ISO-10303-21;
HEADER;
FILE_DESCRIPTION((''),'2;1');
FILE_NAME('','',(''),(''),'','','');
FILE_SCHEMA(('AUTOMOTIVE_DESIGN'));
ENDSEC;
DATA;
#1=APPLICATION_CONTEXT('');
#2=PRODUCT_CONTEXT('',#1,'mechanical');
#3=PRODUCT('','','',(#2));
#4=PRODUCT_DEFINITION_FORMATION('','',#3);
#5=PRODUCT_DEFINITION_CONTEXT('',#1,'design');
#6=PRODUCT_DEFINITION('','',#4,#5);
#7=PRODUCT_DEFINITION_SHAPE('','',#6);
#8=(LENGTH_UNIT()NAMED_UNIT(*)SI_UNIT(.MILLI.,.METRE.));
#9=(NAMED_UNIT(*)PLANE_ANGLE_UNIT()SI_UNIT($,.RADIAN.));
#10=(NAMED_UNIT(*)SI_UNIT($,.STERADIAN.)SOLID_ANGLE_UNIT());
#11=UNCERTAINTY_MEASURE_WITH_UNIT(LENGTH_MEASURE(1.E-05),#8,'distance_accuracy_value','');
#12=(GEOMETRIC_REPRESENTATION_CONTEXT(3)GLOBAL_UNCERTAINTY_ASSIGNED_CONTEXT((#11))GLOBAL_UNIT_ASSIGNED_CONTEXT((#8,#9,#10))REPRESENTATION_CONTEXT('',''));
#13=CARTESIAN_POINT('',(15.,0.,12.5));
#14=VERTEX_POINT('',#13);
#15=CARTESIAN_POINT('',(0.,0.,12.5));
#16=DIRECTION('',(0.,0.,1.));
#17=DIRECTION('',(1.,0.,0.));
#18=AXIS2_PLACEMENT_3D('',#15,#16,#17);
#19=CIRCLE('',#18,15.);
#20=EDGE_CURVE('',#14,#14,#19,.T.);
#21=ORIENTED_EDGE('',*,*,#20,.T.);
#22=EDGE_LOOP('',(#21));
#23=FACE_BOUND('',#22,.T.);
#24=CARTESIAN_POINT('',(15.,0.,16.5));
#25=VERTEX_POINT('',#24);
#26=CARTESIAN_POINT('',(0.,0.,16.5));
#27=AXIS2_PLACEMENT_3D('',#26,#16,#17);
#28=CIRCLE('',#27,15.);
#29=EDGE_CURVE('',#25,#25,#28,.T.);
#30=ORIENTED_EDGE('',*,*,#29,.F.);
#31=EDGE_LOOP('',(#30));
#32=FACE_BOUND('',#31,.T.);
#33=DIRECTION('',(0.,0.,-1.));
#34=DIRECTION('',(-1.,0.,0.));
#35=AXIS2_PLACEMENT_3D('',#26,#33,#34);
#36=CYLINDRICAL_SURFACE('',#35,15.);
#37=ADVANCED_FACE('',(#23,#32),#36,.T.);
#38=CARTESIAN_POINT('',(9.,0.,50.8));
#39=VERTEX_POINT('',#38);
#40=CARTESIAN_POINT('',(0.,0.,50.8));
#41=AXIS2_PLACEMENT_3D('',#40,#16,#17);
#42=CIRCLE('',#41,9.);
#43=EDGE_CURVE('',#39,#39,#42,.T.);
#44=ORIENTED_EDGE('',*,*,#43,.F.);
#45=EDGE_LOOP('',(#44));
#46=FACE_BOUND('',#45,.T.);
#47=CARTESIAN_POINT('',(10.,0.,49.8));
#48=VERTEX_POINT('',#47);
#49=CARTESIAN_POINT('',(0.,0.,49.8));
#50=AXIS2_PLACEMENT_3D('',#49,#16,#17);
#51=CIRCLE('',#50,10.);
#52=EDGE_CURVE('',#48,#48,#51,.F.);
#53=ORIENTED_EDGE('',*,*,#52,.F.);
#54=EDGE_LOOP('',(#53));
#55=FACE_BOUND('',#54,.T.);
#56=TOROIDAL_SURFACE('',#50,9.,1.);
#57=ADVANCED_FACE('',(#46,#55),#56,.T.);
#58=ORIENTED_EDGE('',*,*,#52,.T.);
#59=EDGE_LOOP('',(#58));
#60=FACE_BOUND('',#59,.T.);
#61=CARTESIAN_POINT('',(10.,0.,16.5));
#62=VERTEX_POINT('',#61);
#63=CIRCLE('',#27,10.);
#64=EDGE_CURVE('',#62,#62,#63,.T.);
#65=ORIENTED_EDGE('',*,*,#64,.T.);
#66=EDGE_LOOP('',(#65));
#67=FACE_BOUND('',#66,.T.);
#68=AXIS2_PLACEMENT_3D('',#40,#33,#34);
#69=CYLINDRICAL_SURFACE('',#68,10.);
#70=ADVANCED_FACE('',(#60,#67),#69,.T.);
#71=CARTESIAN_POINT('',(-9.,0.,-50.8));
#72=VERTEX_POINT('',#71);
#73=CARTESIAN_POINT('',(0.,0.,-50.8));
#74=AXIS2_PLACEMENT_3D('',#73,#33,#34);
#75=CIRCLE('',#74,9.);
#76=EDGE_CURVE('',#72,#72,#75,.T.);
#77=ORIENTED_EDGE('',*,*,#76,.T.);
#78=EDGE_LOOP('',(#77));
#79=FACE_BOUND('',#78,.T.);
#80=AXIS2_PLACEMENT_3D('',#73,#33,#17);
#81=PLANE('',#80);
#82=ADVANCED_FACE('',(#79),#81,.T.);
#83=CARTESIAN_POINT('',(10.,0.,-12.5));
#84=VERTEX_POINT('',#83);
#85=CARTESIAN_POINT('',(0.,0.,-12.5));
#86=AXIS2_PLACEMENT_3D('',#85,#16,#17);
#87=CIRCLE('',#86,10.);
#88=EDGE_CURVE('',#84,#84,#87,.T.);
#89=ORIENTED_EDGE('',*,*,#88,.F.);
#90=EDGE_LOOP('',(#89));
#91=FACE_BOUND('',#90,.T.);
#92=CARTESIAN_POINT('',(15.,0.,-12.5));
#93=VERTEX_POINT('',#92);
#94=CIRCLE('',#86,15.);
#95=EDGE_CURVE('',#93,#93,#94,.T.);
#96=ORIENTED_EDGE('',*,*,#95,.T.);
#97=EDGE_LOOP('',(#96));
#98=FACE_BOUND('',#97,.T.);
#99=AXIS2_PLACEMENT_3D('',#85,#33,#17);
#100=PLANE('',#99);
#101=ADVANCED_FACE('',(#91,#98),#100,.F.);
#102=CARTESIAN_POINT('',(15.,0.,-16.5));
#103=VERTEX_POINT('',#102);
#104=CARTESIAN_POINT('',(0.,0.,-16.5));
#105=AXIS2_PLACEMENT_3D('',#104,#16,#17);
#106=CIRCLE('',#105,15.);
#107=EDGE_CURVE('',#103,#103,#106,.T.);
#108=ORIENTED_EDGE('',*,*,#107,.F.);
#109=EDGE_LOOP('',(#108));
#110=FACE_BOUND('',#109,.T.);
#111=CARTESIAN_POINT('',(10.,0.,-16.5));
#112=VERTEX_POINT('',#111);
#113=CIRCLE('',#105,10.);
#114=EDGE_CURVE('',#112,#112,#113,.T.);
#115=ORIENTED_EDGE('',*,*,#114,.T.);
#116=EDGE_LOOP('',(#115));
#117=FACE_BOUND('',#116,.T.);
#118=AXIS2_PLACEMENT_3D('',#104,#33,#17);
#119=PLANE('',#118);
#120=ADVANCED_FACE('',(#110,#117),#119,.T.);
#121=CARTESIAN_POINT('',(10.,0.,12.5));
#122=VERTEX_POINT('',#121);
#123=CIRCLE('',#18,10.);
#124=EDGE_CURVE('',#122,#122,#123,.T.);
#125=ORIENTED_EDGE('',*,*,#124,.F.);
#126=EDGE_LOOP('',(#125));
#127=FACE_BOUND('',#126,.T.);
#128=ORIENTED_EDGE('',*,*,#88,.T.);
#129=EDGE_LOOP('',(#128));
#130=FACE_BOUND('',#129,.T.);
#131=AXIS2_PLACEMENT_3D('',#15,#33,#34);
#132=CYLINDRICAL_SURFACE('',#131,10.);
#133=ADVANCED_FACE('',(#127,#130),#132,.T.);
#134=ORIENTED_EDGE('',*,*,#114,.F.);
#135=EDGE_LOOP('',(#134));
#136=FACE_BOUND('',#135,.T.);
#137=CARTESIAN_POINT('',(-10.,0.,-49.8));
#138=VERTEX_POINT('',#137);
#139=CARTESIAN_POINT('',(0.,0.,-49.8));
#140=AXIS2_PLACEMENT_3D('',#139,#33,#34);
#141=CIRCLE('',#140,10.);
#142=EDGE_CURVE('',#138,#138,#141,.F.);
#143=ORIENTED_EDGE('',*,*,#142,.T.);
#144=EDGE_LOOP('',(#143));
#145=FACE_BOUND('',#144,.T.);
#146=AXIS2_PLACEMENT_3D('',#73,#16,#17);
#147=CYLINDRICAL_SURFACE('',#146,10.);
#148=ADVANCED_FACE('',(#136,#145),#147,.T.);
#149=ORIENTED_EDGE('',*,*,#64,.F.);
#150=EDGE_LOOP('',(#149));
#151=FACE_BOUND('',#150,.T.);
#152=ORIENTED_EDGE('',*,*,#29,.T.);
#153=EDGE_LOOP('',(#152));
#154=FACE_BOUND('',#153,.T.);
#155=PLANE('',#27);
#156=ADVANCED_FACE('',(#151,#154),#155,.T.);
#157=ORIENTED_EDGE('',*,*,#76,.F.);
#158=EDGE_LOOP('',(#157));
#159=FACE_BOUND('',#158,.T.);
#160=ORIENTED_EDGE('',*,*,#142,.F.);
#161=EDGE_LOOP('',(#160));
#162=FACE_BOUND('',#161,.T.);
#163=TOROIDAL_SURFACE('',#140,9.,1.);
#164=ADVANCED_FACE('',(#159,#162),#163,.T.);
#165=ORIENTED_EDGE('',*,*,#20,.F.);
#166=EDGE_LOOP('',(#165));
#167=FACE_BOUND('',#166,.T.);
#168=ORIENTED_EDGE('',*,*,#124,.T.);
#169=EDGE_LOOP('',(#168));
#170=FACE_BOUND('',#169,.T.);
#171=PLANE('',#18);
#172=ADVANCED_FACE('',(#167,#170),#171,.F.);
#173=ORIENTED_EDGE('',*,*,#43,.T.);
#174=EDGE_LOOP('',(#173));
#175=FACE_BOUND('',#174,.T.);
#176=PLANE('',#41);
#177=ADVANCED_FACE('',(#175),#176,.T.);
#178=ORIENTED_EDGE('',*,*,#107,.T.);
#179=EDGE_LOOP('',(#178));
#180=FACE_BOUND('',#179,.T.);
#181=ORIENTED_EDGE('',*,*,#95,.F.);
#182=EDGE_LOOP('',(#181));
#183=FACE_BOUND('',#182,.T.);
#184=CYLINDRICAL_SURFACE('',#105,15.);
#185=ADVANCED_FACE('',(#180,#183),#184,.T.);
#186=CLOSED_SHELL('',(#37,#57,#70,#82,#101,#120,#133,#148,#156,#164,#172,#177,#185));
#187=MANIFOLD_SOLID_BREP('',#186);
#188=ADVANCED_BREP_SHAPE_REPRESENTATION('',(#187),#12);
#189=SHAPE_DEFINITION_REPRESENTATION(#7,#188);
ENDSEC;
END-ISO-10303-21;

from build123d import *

# Parameters (mm, degrees)
SKETCH2_R           = 10
BOSS_EXTRUDE1_DEPTH = 12.5
SKETCH3_R           = 15
BOSS_EXTRUDE2_DEPTH = 4
SKETCH4_R           = 10
BOSS_EXTRUDE3_DEPTH = 34.3
FILLET1_R           = 1


with BuildPart() as part:
    # Sketch2 → Boss-Extrude1 (new body)
    with BuildSketch(Plane.XY):
        Circle(SKETCH2_R)
    boss_extrude1 = extrude(amount=BOSS_EXTRUDE1_DEPTH)

    # Sketch3 → Boss-Extrude2 (add)
    with BuildSketch(Plane.XY.offset(12.5)):
        Circle(SKETCH3_R)
    boss_extrude2 = extrude(amount=BOSS_EXTRUDE2_DEPTH)

    # Sketch4 → Boss-Extrude3 (add)
    with BuildSketch(Plane.XY.offset(16.5)):
        Circle(SKETCH4_R)
    boss_extrude3 = extrude(amount=BOSS_EXTRUDE3_DEPTH)

    # Mirror1: Boss-Extrude1, Boss-Extrude2, Boss-Extrude3 across plane
    add(boss_extrude1.mirror(Plane.XY))
    add(boss_extrude2.mirror(Plane.XY))
    add(boss_extrude3.mirror(Plane.XY))

    # Fillet1
    fillet1_edges = [part.edges().sort_by_distance(p)[0] for p in [
        (-10, 0, 50.8),
        (-10, 0, -50.8),
    ]]
    fillet(fillet1_edges, radius=FILLET1_R)


solid = part.part
